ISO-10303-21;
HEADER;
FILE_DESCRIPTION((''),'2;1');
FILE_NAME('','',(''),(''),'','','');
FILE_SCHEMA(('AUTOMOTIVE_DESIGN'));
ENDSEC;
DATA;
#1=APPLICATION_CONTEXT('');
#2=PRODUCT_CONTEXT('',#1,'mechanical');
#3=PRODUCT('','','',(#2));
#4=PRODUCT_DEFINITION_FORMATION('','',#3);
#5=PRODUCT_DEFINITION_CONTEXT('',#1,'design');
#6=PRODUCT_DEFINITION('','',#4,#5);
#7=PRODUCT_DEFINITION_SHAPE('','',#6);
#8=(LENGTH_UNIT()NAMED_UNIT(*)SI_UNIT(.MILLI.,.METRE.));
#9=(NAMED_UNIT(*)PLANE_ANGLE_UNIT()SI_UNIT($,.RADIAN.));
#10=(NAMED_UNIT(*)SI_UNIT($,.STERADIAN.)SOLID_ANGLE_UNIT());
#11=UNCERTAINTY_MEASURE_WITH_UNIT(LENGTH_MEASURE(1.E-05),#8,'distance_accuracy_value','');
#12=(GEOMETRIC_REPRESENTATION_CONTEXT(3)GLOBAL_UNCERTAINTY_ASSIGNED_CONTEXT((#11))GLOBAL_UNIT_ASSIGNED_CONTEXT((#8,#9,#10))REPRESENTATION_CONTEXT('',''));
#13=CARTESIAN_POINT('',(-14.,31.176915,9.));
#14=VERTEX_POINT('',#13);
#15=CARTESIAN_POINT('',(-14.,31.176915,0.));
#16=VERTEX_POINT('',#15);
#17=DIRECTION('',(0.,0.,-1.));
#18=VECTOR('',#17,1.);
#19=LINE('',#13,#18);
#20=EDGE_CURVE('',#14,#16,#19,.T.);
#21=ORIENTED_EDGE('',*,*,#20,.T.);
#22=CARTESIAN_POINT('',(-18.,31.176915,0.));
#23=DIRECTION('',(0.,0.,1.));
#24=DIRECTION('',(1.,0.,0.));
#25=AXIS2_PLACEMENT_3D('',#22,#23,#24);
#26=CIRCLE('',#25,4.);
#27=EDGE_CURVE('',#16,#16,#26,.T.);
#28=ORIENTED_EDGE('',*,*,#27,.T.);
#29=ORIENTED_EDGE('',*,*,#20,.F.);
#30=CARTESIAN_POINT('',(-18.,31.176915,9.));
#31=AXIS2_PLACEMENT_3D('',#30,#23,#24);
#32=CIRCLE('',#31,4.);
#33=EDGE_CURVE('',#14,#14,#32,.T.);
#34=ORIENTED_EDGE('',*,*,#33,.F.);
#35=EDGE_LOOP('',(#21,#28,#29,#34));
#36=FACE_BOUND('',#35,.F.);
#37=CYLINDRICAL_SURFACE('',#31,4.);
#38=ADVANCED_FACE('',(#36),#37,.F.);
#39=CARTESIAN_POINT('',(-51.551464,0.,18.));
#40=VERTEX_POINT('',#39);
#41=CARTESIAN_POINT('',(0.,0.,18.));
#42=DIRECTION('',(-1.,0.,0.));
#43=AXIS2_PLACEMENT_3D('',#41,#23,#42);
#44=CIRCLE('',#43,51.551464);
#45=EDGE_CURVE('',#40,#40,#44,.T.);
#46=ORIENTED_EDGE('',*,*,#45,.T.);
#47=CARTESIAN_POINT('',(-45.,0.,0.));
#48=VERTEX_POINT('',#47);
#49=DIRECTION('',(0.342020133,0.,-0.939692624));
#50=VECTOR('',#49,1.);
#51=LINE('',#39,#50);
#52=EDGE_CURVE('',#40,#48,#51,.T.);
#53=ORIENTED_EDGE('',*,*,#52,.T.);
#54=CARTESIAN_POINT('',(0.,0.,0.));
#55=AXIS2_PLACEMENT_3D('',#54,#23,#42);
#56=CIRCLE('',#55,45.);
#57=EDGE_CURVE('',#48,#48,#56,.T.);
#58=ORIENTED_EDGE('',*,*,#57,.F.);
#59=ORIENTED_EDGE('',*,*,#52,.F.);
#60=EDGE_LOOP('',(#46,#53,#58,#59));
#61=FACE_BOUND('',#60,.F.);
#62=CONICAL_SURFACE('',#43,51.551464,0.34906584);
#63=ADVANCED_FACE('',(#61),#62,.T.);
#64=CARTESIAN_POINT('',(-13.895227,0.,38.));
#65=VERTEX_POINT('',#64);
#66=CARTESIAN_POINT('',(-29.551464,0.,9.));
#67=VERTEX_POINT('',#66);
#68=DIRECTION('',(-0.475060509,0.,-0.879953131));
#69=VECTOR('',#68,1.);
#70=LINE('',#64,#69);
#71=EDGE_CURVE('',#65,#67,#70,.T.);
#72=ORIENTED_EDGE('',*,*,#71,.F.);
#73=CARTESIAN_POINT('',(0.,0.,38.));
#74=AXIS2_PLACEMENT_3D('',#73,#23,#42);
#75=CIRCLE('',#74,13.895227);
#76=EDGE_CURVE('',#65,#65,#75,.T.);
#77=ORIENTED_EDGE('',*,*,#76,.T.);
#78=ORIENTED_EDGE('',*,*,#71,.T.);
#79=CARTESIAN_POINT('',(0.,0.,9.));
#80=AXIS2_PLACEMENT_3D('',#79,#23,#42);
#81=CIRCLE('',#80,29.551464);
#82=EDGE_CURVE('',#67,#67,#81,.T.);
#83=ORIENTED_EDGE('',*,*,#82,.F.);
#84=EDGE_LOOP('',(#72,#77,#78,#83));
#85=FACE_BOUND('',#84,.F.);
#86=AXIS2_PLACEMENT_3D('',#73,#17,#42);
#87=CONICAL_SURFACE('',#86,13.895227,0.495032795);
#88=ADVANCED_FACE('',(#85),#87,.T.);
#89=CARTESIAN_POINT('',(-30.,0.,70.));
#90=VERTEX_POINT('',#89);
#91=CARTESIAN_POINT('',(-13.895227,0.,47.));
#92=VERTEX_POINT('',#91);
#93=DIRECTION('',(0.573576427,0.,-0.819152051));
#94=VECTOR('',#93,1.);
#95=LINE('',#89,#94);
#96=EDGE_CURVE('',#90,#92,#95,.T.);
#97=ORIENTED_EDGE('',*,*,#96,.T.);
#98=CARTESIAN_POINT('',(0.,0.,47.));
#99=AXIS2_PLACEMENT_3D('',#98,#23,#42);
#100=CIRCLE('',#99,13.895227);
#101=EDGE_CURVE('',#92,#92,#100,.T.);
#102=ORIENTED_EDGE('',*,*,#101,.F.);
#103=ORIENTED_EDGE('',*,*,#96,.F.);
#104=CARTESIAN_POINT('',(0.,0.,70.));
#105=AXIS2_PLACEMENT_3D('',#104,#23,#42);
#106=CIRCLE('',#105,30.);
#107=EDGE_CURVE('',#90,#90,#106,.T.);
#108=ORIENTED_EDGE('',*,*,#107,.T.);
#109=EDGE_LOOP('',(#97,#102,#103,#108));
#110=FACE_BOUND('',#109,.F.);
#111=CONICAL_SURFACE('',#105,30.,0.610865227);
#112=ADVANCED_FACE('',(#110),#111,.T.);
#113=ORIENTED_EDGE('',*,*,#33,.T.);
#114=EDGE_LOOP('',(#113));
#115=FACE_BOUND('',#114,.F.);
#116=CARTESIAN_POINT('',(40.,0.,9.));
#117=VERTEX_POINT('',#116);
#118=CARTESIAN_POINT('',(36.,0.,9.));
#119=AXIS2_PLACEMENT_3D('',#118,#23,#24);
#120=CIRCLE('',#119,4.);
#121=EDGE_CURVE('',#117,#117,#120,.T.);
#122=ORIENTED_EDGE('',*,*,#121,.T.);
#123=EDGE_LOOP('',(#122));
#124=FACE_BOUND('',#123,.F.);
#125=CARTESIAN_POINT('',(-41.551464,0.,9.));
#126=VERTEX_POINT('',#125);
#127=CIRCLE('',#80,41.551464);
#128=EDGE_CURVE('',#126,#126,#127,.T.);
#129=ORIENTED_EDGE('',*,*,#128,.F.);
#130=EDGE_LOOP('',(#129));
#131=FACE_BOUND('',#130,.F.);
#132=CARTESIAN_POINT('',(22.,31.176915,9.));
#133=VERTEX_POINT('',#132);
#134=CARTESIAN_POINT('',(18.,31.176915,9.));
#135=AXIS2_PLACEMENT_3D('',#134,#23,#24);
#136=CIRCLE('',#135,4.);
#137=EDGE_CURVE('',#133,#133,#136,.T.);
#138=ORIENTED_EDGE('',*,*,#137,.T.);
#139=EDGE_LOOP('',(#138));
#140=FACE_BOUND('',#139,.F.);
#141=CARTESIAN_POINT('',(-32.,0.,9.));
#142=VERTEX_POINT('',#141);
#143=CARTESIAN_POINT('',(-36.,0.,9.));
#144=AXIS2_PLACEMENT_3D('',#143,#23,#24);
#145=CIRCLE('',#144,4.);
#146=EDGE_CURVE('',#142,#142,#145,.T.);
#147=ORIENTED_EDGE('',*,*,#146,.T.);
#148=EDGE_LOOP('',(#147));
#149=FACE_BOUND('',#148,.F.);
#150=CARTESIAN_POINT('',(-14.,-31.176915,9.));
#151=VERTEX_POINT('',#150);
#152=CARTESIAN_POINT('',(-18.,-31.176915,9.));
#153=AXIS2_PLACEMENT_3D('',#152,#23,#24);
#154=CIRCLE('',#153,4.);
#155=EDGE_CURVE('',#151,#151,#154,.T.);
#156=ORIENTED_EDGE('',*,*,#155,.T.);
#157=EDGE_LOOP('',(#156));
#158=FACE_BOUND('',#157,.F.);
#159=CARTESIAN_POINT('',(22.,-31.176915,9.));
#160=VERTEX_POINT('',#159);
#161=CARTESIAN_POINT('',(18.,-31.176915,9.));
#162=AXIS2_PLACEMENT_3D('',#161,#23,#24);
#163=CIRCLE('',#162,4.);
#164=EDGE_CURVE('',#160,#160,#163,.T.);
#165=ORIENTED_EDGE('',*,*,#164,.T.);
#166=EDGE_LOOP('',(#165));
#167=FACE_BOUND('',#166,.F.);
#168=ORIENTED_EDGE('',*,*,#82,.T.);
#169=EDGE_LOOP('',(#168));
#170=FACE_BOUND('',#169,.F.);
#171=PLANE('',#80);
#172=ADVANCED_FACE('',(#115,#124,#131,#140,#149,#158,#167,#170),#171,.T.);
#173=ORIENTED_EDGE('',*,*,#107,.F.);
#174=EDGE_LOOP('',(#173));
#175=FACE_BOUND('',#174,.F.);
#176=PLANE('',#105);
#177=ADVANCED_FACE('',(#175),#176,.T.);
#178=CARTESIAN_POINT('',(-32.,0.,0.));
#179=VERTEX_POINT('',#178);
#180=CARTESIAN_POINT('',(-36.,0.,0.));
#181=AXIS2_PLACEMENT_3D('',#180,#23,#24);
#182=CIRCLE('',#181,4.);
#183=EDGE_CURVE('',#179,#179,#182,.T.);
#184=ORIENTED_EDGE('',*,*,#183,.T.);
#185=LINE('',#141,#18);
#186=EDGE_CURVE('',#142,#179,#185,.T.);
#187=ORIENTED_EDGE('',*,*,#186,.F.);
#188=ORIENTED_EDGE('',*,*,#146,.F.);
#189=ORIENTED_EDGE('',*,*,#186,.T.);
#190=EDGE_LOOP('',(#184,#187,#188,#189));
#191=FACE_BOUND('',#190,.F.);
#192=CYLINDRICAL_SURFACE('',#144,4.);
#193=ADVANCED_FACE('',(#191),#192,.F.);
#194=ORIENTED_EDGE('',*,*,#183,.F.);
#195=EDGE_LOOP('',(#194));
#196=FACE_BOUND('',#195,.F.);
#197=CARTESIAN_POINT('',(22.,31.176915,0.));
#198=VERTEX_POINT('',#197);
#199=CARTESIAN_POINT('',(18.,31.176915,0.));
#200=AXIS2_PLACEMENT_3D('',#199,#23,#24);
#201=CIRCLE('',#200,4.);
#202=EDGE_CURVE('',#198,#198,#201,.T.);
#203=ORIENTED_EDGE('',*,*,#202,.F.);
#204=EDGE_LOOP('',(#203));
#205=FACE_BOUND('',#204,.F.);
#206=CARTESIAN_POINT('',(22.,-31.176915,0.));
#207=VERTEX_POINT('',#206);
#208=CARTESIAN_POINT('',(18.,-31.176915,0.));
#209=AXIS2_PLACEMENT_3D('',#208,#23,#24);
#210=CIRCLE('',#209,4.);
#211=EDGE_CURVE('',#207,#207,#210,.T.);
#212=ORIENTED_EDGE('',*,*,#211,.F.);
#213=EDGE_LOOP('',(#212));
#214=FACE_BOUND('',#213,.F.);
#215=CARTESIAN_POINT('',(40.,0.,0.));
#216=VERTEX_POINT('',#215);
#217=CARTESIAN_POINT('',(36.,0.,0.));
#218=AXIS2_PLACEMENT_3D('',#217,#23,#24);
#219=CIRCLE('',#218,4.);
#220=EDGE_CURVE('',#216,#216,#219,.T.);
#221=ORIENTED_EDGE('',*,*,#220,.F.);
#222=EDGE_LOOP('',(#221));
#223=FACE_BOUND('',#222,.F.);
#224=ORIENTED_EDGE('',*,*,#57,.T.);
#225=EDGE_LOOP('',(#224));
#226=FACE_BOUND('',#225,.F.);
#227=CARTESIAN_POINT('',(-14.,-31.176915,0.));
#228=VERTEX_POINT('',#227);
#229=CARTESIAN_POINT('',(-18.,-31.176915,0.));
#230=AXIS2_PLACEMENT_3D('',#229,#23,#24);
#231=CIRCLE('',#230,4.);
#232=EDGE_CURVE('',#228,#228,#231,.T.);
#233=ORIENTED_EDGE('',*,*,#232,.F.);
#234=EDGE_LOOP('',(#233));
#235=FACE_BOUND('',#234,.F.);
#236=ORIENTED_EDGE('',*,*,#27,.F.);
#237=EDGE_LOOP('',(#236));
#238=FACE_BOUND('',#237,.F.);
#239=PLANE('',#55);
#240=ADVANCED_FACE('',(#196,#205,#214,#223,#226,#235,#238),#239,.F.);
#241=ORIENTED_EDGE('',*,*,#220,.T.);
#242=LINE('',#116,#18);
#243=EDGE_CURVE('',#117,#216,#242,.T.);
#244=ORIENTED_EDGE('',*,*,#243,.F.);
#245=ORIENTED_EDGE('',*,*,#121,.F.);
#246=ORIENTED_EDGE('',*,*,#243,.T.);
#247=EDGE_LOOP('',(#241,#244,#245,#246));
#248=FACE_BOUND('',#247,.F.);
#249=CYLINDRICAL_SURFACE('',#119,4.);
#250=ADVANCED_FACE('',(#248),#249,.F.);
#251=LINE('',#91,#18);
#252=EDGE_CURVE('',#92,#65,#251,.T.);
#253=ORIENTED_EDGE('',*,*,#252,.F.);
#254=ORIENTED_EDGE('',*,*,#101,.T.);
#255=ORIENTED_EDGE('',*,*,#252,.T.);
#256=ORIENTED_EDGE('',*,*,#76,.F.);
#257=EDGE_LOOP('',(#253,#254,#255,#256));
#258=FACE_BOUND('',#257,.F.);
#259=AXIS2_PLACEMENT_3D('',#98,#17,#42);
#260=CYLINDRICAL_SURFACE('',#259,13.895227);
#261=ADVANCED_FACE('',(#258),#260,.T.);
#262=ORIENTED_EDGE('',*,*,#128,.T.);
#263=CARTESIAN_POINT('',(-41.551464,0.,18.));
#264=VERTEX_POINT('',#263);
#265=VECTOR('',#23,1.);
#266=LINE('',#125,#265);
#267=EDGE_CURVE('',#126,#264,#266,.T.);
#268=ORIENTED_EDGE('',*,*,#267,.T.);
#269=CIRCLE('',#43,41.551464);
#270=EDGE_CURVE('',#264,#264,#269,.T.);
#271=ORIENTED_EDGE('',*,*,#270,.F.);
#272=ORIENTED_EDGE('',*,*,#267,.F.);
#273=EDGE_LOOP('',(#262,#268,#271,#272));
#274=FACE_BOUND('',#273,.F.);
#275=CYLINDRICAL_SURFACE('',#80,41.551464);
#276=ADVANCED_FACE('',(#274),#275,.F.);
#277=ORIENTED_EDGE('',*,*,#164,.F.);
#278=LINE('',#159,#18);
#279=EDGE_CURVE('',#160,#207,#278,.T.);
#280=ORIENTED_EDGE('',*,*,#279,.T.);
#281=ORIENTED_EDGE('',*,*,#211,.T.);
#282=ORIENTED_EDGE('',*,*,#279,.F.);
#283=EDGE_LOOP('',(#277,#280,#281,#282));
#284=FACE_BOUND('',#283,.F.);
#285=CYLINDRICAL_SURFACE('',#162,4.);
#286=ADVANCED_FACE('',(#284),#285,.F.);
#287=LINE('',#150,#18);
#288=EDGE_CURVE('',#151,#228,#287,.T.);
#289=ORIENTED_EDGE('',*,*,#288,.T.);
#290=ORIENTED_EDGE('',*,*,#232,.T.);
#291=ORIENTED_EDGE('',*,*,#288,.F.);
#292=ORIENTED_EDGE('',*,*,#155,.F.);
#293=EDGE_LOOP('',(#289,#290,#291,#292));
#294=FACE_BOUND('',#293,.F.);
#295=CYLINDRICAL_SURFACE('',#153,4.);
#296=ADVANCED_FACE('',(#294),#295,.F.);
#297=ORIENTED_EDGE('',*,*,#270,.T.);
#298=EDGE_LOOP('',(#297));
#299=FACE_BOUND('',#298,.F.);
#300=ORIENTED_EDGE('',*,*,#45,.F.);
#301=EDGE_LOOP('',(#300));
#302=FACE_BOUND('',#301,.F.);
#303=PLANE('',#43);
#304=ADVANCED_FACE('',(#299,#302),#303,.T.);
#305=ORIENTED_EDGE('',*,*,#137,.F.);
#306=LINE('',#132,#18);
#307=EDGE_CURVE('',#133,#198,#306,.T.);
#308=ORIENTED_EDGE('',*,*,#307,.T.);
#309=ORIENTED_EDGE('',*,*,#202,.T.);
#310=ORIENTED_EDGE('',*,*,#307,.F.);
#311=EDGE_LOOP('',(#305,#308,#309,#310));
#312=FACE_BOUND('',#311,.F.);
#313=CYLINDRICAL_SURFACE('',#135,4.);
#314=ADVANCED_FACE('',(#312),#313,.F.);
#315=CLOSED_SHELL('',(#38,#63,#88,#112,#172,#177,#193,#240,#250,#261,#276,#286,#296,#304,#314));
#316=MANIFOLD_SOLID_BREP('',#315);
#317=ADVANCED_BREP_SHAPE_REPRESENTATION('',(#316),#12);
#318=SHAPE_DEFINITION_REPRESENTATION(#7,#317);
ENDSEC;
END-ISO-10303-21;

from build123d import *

# Parameters (mm, degrees)
F2_R     = 4
F3_DEPTH = 25


with BuildPart() as f1:
    # F0 (on Front) → F1 (revolve)
    with BuildSketch(Plane.XZ):
        Polygon((0, 0), (0, 70), (-30, 70), (-13.895227, 47), (-13.895227, 38), (-29.551464, 9), (-41.551464, 9), (-41.551464, 18), (-51.551464, 18), (-45, 0), align=None)
    revolve(axis=Axis((0, 0, 35), (0, 0, 1)))

    # F2 (on face) → F3 (cut)
    with BuildSketch(Plane.XY.offset(9)):
        with Locations((-36, 0)):
            Circle(F2_R)
        with Locations((-18, -31.176915)):
            Circle(F2_R)
        with Locations((18, -31.176915)):
            Circle(F2_R)
        with Locations((36, 0)):
            Circle(F2_R)
        with Locations((18, 31.176915)):
            Circle(F2_R)
        with Locations((-18, 31.176915)):
            Circle(F2_R)
    extrude(amount=-F3_DEPTH, mode=Mode.SUBTRACT)


solid = f1.part
